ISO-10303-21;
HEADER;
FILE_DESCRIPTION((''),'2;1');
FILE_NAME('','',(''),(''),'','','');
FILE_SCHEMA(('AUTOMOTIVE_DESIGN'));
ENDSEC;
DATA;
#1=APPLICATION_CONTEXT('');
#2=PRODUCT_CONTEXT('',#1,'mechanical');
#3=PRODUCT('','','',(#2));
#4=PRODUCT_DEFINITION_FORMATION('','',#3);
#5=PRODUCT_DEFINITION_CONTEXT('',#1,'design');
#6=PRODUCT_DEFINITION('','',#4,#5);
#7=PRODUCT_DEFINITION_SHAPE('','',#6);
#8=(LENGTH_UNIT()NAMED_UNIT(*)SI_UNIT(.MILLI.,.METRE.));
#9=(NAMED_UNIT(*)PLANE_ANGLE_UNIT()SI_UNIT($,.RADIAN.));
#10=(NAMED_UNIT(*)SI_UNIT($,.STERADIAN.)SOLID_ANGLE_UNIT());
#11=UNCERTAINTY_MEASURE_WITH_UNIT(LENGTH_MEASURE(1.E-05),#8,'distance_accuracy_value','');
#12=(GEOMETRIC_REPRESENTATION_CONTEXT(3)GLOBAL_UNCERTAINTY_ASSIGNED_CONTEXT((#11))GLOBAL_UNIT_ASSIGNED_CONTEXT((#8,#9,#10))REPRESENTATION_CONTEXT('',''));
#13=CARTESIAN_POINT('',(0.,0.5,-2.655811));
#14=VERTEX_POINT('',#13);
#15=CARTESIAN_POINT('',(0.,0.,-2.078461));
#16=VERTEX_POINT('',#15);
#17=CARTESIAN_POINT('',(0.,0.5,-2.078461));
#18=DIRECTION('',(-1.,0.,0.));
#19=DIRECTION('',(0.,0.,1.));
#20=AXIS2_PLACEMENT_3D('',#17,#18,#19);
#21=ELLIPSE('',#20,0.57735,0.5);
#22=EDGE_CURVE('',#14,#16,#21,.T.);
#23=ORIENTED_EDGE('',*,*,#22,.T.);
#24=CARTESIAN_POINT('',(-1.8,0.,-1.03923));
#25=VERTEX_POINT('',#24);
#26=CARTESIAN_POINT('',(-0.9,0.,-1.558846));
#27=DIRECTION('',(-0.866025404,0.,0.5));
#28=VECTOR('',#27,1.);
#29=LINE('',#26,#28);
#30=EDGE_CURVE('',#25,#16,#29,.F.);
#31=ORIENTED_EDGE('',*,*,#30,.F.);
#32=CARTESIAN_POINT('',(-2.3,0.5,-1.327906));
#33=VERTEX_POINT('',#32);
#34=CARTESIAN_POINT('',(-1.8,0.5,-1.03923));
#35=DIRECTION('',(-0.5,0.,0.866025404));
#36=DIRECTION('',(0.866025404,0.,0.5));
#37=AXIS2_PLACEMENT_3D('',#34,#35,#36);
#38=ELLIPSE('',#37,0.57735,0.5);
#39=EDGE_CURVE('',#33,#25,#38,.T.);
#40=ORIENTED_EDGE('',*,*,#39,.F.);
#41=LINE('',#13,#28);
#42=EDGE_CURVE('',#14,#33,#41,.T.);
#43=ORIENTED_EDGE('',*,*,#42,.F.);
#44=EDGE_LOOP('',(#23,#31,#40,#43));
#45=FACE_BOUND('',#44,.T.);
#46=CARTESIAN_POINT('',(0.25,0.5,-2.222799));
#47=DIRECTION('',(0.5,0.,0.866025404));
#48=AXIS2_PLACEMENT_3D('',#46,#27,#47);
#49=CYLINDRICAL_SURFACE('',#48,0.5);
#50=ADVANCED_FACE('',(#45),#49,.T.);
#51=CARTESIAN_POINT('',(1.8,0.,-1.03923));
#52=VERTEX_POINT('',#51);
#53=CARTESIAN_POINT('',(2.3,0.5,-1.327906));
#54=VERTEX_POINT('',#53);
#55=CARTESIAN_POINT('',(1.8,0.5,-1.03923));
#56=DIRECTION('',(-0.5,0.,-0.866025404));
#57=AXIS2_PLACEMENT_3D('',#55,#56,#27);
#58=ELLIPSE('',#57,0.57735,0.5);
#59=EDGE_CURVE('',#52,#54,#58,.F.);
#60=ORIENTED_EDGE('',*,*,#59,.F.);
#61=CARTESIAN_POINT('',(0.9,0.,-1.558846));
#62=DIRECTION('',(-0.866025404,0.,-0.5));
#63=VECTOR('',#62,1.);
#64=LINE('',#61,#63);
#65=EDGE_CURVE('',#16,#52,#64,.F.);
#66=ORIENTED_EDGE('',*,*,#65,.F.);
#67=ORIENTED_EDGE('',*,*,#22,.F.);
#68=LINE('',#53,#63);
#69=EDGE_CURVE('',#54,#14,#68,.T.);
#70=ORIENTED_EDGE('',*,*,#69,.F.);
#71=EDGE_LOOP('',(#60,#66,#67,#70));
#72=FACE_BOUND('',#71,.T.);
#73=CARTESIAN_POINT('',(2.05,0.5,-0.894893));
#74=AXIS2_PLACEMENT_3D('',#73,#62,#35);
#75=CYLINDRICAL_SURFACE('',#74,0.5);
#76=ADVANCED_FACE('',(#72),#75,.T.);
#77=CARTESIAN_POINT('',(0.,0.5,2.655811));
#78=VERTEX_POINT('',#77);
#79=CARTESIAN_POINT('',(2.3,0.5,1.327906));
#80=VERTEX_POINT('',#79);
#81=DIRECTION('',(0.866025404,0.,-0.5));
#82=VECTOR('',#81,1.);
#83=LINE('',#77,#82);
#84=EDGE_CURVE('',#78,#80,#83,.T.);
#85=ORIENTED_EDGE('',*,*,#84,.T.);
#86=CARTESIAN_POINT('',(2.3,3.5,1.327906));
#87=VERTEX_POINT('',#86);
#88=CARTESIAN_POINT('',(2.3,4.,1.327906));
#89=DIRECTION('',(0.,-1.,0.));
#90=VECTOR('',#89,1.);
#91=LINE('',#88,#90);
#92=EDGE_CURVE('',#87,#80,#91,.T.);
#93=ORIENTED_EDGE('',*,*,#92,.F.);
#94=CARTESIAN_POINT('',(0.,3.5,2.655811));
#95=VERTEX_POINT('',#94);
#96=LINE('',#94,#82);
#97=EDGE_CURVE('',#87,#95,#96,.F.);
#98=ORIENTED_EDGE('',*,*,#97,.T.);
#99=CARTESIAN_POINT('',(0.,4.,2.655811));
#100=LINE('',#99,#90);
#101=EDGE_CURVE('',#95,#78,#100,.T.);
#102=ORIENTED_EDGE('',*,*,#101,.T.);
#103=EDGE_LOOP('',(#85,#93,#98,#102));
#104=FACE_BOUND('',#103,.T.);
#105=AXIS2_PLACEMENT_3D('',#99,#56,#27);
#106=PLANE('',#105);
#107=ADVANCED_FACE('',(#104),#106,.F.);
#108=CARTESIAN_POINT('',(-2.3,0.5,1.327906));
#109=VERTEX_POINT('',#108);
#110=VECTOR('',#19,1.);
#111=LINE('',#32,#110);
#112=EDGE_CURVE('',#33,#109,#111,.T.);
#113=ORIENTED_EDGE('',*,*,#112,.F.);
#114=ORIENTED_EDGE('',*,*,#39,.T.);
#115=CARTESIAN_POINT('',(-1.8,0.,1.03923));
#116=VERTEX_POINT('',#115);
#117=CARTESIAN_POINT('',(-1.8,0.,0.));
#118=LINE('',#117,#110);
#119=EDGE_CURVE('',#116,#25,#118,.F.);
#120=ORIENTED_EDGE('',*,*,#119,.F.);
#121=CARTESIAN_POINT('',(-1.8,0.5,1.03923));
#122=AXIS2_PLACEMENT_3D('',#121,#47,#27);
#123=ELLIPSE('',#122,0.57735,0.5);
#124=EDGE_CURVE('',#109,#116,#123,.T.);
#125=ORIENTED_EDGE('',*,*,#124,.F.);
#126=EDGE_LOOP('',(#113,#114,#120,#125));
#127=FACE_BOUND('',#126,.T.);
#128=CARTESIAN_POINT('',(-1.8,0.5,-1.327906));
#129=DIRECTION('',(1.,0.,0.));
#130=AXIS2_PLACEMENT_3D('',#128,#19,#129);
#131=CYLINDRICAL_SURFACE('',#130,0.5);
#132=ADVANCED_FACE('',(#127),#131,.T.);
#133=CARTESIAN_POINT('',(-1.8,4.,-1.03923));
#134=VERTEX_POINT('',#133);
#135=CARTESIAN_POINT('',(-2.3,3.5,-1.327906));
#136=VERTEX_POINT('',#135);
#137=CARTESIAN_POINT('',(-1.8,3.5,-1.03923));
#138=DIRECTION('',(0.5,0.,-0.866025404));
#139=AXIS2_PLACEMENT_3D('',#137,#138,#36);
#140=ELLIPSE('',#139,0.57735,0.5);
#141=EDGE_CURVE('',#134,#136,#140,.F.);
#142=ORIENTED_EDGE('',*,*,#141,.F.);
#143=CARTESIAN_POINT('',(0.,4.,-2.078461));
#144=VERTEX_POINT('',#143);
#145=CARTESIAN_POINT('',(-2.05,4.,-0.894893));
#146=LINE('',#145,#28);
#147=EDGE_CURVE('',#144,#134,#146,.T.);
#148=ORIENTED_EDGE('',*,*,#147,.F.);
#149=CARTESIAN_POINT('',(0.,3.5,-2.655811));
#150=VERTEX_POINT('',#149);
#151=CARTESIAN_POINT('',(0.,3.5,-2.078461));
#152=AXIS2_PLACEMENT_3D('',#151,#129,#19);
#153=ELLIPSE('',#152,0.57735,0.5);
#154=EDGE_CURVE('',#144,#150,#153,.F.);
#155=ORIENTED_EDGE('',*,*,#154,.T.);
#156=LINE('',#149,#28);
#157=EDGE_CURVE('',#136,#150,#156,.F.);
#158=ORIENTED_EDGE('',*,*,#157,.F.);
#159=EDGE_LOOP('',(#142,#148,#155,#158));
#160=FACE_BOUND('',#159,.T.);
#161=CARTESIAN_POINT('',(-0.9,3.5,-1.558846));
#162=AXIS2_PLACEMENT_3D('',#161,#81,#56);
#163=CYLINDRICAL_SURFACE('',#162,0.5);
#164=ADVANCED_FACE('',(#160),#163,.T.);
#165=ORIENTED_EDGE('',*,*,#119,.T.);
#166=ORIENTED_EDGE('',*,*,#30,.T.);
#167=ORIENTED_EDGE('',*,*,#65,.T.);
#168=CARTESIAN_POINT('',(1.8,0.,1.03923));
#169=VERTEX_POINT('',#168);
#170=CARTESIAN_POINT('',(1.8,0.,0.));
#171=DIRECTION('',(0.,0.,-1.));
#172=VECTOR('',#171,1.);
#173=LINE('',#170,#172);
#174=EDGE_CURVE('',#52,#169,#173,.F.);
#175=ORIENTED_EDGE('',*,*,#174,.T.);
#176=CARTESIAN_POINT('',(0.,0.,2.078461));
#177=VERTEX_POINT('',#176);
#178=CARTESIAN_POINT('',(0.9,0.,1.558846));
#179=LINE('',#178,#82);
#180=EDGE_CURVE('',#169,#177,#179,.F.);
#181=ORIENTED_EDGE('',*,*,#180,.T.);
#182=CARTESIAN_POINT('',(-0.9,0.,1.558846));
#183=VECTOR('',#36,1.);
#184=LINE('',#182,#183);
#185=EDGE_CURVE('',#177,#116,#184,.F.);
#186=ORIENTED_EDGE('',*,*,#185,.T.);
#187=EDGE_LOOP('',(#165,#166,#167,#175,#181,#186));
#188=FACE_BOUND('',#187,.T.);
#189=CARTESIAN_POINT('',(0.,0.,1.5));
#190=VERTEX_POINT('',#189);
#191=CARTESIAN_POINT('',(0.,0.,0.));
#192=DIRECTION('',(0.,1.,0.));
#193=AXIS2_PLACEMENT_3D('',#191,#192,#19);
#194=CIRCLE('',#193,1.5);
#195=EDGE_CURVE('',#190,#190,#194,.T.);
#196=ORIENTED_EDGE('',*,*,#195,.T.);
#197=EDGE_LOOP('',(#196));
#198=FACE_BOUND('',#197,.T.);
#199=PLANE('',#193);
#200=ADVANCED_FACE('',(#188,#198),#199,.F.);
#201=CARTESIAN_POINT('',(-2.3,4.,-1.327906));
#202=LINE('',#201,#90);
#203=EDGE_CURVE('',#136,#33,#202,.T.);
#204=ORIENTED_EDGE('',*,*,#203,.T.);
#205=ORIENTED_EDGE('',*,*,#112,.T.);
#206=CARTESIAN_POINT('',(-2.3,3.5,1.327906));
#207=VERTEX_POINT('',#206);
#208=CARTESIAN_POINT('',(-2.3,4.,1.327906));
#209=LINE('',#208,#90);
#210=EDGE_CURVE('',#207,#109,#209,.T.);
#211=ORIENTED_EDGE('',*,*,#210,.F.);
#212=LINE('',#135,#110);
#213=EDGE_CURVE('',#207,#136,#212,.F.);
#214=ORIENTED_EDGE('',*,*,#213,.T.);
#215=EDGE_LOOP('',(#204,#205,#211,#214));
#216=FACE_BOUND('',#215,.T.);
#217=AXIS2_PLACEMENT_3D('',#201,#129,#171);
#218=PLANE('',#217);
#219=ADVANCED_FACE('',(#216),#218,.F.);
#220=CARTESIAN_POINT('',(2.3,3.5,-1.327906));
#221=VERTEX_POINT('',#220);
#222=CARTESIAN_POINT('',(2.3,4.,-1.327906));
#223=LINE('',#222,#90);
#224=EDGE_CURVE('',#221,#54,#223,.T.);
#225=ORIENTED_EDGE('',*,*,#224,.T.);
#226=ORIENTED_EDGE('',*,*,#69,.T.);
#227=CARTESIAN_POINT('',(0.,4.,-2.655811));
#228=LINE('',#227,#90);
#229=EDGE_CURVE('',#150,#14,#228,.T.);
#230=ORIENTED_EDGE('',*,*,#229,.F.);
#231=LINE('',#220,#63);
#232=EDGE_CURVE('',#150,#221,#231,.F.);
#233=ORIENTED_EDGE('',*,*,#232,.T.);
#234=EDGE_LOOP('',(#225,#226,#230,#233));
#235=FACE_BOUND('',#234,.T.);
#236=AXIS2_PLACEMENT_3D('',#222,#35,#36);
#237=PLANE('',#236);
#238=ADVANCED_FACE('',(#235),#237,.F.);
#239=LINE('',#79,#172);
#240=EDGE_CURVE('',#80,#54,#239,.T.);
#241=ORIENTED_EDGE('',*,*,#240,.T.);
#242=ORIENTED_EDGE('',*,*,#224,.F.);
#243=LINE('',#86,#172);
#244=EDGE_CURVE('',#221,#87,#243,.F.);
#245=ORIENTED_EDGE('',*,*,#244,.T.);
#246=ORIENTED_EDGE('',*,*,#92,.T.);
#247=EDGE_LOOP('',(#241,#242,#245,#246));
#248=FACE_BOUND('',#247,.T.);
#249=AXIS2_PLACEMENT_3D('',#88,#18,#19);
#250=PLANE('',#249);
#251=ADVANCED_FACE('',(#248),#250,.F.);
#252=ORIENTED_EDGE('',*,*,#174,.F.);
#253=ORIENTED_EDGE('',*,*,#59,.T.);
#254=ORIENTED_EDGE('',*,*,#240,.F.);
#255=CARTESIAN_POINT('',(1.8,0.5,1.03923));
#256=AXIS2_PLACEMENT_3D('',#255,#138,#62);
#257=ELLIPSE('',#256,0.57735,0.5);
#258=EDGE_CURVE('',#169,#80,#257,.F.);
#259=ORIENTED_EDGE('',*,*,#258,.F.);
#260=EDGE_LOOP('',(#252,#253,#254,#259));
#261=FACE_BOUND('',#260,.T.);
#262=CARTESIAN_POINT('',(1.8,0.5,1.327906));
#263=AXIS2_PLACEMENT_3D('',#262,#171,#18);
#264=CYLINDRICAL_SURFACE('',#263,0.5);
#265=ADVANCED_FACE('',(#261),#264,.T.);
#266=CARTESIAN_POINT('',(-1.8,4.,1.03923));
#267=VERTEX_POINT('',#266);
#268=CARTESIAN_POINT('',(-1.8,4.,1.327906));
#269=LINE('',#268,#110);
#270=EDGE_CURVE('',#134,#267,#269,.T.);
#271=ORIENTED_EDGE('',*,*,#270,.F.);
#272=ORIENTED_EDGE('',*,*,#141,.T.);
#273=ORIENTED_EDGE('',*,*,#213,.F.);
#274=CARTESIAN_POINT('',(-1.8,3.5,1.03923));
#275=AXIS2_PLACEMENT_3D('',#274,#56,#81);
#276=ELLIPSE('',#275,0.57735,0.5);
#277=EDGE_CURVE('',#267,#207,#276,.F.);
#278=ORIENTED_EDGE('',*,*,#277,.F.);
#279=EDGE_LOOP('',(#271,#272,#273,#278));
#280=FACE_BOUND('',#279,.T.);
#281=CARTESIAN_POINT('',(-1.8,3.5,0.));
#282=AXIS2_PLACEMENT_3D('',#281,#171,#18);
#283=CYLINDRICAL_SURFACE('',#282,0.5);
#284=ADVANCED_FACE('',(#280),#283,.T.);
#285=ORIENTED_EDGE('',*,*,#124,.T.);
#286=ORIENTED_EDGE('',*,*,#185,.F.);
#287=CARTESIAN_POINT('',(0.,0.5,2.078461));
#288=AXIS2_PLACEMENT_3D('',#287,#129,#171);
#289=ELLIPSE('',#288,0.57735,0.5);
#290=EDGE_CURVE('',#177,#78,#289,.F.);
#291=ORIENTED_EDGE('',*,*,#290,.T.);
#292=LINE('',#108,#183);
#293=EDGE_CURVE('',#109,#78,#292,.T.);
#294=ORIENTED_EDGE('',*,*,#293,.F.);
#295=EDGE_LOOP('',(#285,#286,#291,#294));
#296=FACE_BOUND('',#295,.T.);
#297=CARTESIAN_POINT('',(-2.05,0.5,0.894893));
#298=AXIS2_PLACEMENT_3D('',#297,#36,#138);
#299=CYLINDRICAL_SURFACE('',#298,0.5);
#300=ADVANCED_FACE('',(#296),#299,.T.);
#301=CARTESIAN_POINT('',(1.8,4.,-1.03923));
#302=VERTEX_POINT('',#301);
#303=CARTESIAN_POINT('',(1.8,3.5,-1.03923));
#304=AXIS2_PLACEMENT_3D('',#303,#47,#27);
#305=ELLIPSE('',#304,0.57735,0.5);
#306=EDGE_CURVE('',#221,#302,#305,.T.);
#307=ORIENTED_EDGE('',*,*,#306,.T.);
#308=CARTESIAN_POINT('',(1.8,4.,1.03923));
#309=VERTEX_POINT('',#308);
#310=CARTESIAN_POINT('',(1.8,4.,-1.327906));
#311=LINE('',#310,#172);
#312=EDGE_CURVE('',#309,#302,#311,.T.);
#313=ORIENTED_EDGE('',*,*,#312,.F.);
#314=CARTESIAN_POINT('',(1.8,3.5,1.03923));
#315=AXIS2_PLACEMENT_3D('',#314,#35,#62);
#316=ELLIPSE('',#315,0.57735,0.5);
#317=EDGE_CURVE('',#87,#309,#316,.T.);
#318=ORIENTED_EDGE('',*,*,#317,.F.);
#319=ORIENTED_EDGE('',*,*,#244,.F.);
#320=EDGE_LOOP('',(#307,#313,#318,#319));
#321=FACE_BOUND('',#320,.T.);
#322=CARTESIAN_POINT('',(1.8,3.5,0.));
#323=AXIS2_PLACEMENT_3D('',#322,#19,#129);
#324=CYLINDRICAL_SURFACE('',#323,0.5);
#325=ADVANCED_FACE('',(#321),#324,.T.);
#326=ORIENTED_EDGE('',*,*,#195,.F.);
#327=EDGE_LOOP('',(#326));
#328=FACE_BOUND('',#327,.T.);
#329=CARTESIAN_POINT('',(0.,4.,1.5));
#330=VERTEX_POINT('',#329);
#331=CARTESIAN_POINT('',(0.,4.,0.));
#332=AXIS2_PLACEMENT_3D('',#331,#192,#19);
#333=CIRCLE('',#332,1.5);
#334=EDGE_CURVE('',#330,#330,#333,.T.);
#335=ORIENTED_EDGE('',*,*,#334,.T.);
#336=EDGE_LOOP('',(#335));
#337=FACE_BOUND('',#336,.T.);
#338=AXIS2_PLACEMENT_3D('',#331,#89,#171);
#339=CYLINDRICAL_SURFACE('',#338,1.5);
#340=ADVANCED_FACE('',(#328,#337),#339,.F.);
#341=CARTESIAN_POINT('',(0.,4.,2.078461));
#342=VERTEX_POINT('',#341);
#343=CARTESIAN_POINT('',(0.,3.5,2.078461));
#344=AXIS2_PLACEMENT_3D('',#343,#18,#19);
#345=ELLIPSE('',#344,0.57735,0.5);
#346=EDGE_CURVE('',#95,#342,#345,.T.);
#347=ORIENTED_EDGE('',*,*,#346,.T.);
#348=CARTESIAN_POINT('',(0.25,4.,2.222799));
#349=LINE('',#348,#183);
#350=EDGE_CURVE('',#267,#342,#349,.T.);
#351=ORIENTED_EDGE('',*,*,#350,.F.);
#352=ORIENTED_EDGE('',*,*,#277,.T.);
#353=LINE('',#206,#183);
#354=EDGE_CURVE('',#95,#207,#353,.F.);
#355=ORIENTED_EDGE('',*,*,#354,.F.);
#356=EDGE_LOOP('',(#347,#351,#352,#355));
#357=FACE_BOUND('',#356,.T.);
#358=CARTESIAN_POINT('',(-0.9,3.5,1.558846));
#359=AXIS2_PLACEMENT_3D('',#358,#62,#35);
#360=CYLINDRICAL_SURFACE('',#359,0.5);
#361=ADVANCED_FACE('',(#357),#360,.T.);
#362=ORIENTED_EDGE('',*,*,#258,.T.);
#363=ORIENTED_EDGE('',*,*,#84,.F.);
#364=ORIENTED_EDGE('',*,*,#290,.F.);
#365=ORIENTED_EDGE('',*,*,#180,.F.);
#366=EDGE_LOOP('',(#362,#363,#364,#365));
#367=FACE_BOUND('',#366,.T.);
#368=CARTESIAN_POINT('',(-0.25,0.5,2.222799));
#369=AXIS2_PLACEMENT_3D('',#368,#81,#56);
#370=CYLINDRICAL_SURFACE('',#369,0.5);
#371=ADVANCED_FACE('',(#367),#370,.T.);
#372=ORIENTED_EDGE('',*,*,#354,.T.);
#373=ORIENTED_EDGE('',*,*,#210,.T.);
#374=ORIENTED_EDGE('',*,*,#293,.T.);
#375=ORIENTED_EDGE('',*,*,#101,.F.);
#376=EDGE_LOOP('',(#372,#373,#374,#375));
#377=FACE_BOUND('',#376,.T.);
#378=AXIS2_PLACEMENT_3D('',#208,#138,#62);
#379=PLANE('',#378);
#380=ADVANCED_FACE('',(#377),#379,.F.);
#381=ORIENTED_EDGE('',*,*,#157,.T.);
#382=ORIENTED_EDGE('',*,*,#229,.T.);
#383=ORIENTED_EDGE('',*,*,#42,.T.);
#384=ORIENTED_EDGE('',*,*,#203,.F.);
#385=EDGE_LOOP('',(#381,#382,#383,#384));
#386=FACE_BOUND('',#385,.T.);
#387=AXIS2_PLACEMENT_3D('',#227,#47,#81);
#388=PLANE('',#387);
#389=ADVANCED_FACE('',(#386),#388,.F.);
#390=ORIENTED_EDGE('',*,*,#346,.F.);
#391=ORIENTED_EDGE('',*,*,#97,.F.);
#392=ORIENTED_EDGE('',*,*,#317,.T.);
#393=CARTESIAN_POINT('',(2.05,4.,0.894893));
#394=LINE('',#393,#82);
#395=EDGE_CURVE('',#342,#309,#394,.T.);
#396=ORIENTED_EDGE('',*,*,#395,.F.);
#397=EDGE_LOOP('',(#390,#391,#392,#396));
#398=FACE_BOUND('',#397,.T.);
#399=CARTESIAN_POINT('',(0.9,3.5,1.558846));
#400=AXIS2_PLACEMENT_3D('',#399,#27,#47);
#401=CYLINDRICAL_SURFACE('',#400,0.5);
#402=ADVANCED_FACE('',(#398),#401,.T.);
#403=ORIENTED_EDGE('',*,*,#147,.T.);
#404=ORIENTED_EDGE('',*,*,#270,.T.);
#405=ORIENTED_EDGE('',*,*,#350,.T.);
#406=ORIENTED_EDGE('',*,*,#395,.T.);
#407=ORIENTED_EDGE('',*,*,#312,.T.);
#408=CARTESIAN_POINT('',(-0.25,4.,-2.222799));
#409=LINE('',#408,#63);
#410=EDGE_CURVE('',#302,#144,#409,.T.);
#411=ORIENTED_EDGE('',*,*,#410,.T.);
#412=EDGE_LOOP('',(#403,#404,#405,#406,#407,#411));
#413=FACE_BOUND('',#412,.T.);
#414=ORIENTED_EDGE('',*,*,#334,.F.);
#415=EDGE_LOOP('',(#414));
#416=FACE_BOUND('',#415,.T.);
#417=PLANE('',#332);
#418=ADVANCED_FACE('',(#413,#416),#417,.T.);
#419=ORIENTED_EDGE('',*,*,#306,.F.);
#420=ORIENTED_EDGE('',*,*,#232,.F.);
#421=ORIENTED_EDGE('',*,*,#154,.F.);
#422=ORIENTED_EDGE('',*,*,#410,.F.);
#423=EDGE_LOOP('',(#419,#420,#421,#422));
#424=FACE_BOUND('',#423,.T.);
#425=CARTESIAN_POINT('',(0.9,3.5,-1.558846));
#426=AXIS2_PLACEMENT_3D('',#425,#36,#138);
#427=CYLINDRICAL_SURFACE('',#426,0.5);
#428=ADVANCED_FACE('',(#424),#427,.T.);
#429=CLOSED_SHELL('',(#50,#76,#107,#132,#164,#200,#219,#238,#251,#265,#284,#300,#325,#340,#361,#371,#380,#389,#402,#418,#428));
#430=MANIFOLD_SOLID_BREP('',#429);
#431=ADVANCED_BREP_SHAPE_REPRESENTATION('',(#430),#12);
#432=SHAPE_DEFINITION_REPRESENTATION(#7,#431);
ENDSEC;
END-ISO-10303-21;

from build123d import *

# Parameters (mm, degrees)
SKETCH_1_R      = 1.5
EXTRUDE_1_DEPTH = 4
FILLET_1_R      = 0.5


with BuildPart() as part:
    # 草图1 → 凸台-拉伸1 (new body)
    with BuildSketch(Plane(origin=(0, 0, 0), x_dir=(1, 0, 0), z_dir=(0, 1, 0))):
        Polygon((2.3, -1.327905619), (2.3, 1.327905619), (0, 2.655811238), (-2.3, 1.327905619), (-2.3, -1.327905619), (0, -2.655811238), align=None)
        Circle(SKETCH_1_R, mode=Mode.SUBTRACT)
    extrude(amount=EXTRUDE_1_DEPTH)

    # 圆角1
    fillet_1_edges = [part.edges().sort_by_distance(p)[0] for p in [
        (1.15, 4, -1.991858429),
        (-1.15, 4, -1.991858429),
        (-2.3, 4, 0),
        (-1.15, 4, 1.991858429),
        (1.15, 4, 1.991858429),
        (-1.15, 0, 1.991858429),
        (-2.3, 0, 0),
        (-1.15, 0, -1.991858429),
        (1.15, 0, -1.991858429),
        (2.3, 0, 0),
        (1.15, 0, 1.991858429),
        (2.3, 4, 0),
    ]]
    fillet(fillet_1_edges, radius=FILLET_1_R)


solid = part.part
